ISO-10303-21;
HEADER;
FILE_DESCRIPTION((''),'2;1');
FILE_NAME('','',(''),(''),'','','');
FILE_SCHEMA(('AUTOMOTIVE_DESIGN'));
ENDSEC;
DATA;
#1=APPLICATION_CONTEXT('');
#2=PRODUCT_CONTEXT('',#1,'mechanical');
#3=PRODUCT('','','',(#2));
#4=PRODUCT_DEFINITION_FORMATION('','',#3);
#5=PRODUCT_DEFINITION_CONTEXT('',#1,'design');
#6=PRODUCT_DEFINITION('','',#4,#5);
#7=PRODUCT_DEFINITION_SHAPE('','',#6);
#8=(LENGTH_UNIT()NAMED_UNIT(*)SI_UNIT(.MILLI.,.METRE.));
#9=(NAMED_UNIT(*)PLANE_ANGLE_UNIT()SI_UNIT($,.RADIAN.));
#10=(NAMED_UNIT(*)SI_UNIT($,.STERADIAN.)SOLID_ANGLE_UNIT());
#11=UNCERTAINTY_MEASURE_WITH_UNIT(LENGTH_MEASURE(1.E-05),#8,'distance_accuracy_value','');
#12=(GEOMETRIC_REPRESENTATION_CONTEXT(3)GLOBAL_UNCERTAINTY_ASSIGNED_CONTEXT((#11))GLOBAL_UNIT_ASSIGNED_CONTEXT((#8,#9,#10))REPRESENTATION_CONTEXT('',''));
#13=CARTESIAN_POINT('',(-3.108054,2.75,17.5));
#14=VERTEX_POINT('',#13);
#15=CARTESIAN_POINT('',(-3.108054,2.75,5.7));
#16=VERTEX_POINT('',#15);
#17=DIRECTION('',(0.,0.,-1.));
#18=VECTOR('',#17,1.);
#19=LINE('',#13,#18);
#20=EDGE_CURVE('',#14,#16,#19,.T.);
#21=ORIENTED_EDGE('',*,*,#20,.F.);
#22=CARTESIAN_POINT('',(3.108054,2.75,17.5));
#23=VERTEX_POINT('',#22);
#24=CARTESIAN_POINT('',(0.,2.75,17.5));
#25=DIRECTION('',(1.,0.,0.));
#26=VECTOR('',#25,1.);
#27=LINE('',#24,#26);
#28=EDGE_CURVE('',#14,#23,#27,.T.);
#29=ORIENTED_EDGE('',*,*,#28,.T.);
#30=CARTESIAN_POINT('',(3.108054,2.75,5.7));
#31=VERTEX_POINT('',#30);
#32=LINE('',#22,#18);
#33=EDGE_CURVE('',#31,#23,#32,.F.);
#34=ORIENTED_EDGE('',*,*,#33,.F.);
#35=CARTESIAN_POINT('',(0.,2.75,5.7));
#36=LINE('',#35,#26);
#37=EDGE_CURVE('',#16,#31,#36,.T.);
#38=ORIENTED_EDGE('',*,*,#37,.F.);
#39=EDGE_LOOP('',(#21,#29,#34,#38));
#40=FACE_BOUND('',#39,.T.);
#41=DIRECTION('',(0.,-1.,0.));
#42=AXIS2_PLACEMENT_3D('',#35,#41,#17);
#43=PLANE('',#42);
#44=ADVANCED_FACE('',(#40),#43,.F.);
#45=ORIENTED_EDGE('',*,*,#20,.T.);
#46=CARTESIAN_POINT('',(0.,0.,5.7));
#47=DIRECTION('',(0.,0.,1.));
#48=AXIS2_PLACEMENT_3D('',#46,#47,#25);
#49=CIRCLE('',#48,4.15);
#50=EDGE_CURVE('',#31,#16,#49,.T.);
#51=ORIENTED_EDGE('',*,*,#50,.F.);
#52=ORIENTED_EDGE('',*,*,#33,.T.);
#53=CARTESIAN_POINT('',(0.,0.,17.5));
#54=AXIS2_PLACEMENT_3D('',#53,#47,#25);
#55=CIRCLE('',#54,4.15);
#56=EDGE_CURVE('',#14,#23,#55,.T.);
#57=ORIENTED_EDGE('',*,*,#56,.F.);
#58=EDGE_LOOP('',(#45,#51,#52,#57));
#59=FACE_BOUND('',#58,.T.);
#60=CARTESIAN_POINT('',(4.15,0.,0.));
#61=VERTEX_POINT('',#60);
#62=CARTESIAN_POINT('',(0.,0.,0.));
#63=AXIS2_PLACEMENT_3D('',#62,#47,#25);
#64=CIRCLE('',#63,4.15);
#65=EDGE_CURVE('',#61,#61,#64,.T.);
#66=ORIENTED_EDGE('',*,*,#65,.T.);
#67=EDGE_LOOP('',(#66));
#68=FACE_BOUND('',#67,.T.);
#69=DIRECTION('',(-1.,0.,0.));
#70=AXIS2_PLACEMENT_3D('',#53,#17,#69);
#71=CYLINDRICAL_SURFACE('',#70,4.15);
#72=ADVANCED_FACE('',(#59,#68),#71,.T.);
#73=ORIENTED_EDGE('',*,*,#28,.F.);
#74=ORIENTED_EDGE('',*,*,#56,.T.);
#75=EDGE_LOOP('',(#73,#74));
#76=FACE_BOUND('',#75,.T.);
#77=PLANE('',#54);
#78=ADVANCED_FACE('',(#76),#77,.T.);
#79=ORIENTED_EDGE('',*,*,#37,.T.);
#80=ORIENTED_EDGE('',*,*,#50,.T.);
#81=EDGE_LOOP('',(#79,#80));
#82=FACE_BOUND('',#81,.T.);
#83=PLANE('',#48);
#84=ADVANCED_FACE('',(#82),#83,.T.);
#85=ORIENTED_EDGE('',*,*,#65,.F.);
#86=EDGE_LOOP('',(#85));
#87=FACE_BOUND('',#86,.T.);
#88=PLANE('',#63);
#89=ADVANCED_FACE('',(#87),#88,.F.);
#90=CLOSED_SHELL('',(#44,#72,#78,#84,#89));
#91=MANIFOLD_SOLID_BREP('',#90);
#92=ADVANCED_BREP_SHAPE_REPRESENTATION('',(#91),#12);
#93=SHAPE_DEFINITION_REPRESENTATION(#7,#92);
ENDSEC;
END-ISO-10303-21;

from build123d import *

# Parameters (mm, degrees)
SKETCH1_R           = 4.15
BOSS_EXTRUDE1_DEPTH = 17.5
CUT_EXTRUDE2_DEPTH  = 11.8


with BuildPart() as part:
    # Sketch1 → Boss-Extrude1 (new body)
    with BuildSketch(Plane.XY):
        Circle(SKETCH1_R)
    extrude(amount=BOSS_EXTRUDE1_DEPTH)

    # Sketch3 → Cut-Extrude2 (cut)
    with BuildSketch(Plane.XY.offset(17.5)):
        Polygon((-2.257372241, 2.75), (5.403828273, 2.75), (5.403828273, 6.178991051), (-6.344388295, 6.178991051), (-6.344388295, 2.75), align=None)
    extrude(amount=-CUT_EXTRUDE2_DEPTH, mode=Mode.SUBTRACT)


solid = part.part
